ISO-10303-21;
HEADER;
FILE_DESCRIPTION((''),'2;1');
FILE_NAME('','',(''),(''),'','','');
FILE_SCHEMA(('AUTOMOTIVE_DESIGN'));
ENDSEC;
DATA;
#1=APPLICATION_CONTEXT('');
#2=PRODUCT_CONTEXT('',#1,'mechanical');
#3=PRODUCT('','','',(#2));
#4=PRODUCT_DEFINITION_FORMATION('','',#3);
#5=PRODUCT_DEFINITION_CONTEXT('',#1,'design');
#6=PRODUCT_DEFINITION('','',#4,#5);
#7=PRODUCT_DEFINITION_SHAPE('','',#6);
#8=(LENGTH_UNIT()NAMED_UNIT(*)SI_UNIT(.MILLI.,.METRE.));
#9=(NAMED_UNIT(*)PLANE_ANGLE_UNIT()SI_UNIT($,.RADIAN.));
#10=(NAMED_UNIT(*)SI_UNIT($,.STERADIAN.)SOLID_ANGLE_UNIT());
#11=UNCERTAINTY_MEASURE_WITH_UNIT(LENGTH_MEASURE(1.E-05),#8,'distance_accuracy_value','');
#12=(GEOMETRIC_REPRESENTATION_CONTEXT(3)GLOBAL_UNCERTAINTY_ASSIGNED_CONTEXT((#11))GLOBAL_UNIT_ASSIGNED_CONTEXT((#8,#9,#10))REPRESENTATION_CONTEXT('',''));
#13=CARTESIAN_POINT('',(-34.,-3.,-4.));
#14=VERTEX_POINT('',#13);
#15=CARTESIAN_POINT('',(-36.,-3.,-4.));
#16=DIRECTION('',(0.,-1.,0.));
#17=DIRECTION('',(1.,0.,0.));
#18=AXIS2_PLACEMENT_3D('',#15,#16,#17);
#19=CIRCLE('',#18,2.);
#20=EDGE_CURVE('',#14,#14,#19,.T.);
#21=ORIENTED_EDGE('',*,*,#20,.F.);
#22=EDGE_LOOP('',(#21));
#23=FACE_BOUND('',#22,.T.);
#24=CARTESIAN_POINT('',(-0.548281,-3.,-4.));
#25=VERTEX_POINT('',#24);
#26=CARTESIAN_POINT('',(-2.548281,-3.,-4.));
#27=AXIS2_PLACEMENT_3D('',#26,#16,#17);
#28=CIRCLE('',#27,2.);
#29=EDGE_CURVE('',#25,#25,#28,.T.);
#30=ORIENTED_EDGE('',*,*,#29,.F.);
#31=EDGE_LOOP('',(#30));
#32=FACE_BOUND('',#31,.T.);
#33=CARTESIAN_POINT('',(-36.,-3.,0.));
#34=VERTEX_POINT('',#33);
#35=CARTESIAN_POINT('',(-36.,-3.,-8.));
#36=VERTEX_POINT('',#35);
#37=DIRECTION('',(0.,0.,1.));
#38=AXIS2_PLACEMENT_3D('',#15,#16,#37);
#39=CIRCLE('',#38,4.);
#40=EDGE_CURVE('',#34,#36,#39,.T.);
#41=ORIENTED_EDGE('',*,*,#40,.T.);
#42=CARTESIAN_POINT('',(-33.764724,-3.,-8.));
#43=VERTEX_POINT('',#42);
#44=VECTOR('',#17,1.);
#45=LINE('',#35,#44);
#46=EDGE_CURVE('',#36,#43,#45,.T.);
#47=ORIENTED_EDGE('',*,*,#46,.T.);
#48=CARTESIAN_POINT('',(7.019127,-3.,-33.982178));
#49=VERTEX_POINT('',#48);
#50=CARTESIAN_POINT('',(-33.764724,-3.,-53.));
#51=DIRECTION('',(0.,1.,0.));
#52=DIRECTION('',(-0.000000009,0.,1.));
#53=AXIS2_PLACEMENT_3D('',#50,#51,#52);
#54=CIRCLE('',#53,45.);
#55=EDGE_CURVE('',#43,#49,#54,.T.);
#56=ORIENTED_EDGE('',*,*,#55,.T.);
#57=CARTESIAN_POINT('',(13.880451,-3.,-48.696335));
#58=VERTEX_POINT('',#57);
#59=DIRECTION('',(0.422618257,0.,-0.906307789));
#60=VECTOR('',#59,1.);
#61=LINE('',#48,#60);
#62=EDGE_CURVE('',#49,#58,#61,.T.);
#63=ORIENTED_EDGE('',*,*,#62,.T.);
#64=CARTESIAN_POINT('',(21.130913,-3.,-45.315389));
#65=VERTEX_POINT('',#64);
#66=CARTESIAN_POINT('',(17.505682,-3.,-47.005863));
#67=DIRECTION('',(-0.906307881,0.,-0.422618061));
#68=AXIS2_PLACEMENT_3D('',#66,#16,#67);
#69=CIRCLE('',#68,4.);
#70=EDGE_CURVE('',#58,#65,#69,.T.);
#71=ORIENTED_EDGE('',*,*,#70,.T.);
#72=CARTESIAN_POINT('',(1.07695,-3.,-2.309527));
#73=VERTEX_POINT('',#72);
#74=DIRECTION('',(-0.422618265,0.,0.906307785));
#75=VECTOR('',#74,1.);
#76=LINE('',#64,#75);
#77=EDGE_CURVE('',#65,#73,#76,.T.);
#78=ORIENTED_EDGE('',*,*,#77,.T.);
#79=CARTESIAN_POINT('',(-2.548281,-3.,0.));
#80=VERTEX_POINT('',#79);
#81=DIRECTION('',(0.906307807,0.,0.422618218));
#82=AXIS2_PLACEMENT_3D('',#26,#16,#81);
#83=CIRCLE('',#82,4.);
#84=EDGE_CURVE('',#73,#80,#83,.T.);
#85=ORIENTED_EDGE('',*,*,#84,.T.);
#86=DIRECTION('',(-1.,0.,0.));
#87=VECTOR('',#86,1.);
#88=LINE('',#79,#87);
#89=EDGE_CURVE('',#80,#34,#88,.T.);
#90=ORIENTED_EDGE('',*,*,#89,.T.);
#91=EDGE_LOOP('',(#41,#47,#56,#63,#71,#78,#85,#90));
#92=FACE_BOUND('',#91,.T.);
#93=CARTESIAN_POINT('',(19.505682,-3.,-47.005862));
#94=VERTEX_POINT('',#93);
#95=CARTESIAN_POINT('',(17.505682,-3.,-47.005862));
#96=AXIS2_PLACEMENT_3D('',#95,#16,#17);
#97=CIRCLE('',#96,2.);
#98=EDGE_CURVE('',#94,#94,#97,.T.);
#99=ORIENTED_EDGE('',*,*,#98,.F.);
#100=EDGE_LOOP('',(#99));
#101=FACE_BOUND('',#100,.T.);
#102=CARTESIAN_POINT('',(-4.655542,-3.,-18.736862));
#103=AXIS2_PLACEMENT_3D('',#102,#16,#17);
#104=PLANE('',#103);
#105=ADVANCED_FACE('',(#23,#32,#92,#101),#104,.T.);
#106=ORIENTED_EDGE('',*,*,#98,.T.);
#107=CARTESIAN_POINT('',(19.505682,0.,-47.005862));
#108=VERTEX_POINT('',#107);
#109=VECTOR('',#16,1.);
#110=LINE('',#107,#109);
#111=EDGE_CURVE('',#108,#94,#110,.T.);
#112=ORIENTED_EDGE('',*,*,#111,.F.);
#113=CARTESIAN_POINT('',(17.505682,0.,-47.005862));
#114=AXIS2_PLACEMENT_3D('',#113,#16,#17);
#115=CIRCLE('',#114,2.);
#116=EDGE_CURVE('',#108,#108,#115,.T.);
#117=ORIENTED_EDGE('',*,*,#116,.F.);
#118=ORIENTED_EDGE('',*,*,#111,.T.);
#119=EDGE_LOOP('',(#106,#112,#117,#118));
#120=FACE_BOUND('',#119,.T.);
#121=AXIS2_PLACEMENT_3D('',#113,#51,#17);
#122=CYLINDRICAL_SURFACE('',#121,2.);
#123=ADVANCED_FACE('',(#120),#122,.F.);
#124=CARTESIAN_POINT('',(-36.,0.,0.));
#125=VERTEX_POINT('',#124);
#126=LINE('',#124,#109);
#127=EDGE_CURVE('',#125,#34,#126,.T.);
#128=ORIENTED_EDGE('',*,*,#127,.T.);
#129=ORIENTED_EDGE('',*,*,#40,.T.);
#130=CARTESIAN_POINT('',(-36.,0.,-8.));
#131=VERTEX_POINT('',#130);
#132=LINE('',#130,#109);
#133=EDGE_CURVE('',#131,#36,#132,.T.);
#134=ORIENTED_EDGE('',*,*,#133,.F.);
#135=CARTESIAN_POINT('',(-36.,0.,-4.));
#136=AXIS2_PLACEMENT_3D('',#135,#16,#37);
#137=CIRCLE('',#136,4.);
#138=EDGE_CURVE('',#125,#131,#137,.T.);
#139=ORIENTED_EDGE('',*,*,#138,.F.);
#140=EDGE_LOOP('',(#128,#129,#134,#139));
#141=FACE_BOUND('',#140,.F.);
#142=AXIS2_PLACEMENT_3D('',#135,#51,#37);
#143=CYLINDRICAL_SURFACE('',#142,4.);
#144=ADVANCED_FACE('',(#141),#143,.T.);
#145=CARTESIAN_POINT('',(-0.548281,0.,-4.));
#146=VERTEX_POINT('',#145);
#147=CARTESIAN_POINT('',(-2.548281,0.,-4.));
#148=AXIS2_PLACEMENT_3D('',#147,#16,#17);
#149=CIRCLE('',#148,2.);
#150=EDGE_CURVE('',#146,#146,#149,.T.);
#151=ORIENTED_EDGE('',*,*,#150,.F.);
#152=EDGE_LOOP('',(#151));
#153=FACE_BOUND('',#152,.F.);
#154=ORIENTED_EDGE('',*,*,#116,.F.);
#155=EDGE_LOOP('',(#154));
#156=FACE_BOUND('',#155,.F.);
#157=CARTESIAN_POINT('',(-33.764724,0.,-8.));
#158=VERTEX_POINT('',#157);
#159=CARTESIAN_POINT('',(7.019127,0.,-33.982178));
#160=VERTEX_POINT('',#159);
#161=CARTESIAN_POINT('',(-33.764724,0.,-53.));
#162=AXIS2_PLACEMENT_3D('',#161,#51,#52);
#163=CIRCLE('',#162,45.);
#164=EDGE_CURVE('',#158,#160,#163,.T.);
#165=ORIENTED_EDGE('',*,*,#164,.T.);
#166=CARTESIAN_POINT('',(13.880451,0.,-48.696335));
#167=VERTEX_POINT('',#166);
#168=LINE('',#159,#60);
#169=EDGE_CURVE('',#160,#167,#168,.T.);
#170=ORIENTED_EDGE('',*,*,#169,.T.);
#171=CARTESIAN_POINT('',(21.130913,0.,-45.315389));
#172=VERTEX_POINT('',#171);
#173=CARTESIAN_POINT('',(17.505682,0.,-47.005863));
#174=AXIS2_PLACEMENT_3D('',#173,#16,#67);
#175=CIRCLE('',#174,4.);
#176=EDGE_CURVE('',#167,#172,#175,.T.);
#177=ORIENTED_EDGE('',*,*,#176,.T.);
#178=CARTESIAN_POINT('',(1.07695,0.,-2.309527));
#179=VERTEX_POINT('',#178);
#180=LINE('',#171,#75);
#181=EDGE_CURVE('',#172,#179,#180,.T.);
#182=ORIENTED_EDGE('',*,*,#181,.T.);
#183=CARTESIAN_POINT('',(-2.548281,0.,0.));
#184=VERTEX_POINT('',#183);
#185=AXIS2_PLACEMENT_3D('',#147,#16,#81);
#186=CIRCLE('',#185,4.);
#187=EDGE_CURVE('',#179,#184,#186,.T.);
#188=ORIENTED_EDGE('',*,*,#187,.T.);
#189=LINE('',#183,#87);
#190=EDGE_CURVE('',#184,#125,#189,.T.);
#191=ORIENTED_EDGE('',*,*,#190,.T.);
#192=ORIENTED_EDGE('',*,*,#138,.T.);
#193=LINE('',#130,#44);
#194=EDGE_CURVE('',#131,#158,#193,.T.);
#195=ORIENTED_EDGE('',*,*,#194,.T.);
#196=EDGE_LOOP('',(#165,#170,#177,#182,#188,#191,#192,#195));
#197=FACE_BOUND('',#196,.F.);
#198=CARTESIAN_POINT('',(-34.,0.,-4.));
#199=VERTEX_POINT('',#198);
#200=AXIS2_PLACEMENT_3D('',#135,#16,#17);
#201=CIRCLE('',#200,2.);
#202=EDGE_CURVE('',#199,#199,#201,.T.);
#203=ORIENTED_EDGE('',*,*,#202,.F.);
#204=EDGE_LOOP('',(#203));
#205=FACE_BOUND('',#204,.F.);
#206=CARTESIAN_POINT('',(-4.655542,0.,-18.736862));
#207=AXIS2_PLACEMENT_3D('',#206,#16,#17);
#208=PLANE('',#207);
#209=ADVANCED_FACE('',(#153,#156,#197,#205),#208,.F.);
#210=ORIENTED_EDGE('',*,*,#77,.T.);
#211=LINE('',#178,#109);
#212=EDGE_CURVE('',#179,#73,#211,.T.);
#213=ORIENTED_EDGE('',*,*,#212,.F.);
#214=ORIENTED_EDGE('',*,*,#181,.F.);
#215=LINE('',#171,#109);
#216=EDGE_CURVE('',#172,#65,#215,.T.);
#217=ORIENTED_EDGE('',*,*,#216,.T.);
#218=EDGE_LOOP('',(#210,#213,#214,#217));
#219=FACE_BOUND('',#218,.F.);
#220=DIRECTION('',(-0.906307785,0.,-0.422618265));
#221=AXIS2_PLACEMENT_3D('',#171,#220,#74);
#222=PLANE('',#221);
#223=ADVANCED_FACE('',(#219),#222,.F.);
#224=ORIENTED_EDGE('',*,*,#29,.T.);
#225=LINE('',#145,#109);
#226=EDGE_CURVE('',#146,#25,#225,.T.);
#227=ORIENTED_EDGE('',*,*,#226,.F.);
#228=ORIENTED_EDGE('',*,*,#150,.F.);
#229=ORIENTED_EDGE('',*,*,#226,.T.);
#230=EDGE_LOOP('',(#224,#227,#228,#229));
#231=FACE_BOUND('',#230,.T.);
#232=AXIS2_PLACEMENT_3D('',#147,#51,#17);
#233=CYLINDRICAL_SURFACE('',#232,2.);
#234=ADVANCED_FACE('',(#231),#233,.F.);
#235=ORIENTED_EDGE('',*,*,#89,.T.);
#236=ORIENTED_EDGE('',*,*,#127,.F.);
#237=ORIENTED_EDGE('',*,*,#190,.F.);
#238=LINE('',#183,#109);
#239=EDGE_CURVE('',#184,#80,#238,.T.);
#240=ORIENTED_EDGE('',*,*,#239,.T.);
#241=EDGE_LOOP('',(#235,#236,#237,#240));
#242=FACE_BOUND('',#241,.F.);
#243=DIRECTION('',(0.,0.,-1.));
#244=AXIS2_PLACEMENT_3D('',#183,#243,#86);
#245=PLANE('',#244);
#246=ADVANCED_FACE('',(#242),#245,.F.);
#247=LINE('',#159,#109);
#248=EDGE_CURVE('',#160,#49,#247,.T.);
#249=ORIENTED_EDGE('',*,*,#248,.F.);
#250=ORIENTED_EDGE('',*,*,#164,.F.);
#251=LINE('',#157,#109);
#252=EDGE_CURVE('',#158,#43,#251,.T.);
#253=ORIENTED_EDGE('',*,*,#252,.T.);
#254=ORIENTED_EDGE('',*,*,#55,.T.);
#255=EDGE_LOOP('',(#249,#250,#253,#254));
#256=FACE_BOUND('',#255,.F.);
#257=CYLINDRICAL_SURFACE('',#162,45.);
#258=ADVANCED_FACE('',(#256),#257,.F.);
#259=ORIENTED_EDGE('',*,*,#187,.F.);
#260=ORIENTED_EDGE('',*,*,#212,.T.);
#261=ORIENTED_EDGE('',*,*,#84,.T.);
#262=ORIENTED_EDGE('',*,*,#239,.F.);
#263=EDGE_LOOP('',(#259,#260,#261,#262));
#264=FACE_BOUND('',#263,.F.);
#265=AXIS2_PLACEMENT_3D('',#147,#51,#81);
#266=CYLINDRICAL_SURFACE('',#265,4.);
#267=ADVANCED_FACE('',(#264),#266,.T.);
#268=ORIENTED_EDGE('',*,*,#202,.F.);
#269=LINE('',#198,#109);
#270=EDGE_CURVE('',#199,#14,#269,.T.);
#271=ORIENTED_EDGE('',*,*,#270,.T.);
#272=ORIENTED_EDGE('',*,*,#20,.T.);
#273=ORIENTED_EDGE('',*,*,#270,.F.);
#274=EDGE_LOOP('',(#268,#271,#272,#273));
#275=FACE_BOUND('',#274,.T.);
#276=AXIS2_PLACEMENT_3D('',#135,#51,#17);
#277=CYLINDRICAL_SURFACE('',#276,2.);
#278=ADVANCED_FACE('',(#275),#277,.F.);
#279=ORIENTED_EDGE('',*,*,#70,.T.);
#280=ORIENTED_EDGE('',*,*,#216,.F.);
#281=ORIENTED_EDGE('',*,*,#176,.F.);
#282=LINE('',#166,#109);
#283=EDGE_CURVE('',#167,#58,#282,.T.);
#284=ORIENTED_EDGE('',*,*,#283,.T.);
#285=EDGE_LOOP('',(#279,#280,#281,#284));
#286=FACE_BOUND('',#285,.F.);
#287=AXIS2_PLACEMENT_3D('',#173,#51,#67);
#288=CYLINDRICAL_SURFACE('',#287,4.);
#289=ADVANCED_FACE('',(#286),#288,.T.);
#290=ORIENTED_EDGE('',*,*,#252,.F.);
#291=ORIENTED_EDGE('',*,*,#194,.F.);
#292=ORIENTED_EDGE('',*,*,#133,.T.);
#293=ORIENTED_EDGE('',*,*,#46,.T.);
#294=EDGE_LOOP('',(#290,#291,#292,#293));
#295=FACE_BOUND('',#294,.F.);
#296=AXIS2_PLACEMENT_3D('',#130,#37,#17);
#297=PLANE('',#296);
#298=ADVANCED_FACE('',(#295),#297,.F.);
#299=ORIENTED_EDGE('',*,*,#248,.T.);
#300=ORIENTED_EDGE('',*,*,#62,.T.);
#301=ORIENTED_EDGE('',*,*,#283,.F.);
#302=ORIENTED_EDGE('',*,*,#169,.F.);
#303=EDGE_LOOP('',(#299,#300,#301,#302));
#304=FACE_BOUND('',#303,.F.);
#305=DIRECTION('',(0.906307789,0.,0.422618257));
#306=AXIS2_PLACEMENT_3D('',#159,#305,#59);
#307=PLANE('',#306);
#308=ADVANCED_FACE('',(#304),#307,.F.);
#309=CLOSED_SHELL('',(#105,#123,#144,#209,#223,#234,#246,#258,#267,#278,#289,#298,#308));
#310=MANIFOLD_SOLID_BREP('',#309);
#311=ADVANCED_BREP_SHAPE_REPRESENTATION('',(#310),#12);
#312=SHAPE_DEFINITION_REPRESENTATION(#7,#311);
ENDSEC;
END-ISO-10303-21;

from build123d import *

# Parameters (mm, degrees)
F0_R     = 2
F1_DEPTH = 3


with BuildPart() as f1:
    # F0 (on Front) → F1 (new body)
    with BuildSketch(Plane.XZ):
        with BuildLine():
            ThreePointArc((1.07695, -2.309527), (-0.399083, -0.626434), (-2.548281, 0))
            Line((-2.548281, 0), (-36, 0))
            ThreePointArc((-36, 0), (-40, -4), (-36, -8))
            Line((-36, -8), (-33.764724, -8))
            ThreePointArc((-33.764724, -8), (-9.586241, -15.047385), (7.019127, -33.982178))
            Line((7.019127, -33.982178), (13.880451, -48.696335))
            ThreePointArc((13.880451, -48.696335), (19.196155, -50.631094), (21.130913, -45.315389))
            Line((21.130913, -45.315389), (1.07695, -2.309527))
        make_face()
        with Locations((17.505682, -47.005862)):
            Circle(F0_R, mode=Mode.SUBTRACT)
        with Locations((-36, -4)):
            Circle(F0_R, mode=Mode.SUBTRACT)
        with Locations((-2.548281, -4)):
            Circle(F0_R, mode=Mode.SUBTRACT)
    extrude(amount=F1_DEPTH)


solid = f1.part
